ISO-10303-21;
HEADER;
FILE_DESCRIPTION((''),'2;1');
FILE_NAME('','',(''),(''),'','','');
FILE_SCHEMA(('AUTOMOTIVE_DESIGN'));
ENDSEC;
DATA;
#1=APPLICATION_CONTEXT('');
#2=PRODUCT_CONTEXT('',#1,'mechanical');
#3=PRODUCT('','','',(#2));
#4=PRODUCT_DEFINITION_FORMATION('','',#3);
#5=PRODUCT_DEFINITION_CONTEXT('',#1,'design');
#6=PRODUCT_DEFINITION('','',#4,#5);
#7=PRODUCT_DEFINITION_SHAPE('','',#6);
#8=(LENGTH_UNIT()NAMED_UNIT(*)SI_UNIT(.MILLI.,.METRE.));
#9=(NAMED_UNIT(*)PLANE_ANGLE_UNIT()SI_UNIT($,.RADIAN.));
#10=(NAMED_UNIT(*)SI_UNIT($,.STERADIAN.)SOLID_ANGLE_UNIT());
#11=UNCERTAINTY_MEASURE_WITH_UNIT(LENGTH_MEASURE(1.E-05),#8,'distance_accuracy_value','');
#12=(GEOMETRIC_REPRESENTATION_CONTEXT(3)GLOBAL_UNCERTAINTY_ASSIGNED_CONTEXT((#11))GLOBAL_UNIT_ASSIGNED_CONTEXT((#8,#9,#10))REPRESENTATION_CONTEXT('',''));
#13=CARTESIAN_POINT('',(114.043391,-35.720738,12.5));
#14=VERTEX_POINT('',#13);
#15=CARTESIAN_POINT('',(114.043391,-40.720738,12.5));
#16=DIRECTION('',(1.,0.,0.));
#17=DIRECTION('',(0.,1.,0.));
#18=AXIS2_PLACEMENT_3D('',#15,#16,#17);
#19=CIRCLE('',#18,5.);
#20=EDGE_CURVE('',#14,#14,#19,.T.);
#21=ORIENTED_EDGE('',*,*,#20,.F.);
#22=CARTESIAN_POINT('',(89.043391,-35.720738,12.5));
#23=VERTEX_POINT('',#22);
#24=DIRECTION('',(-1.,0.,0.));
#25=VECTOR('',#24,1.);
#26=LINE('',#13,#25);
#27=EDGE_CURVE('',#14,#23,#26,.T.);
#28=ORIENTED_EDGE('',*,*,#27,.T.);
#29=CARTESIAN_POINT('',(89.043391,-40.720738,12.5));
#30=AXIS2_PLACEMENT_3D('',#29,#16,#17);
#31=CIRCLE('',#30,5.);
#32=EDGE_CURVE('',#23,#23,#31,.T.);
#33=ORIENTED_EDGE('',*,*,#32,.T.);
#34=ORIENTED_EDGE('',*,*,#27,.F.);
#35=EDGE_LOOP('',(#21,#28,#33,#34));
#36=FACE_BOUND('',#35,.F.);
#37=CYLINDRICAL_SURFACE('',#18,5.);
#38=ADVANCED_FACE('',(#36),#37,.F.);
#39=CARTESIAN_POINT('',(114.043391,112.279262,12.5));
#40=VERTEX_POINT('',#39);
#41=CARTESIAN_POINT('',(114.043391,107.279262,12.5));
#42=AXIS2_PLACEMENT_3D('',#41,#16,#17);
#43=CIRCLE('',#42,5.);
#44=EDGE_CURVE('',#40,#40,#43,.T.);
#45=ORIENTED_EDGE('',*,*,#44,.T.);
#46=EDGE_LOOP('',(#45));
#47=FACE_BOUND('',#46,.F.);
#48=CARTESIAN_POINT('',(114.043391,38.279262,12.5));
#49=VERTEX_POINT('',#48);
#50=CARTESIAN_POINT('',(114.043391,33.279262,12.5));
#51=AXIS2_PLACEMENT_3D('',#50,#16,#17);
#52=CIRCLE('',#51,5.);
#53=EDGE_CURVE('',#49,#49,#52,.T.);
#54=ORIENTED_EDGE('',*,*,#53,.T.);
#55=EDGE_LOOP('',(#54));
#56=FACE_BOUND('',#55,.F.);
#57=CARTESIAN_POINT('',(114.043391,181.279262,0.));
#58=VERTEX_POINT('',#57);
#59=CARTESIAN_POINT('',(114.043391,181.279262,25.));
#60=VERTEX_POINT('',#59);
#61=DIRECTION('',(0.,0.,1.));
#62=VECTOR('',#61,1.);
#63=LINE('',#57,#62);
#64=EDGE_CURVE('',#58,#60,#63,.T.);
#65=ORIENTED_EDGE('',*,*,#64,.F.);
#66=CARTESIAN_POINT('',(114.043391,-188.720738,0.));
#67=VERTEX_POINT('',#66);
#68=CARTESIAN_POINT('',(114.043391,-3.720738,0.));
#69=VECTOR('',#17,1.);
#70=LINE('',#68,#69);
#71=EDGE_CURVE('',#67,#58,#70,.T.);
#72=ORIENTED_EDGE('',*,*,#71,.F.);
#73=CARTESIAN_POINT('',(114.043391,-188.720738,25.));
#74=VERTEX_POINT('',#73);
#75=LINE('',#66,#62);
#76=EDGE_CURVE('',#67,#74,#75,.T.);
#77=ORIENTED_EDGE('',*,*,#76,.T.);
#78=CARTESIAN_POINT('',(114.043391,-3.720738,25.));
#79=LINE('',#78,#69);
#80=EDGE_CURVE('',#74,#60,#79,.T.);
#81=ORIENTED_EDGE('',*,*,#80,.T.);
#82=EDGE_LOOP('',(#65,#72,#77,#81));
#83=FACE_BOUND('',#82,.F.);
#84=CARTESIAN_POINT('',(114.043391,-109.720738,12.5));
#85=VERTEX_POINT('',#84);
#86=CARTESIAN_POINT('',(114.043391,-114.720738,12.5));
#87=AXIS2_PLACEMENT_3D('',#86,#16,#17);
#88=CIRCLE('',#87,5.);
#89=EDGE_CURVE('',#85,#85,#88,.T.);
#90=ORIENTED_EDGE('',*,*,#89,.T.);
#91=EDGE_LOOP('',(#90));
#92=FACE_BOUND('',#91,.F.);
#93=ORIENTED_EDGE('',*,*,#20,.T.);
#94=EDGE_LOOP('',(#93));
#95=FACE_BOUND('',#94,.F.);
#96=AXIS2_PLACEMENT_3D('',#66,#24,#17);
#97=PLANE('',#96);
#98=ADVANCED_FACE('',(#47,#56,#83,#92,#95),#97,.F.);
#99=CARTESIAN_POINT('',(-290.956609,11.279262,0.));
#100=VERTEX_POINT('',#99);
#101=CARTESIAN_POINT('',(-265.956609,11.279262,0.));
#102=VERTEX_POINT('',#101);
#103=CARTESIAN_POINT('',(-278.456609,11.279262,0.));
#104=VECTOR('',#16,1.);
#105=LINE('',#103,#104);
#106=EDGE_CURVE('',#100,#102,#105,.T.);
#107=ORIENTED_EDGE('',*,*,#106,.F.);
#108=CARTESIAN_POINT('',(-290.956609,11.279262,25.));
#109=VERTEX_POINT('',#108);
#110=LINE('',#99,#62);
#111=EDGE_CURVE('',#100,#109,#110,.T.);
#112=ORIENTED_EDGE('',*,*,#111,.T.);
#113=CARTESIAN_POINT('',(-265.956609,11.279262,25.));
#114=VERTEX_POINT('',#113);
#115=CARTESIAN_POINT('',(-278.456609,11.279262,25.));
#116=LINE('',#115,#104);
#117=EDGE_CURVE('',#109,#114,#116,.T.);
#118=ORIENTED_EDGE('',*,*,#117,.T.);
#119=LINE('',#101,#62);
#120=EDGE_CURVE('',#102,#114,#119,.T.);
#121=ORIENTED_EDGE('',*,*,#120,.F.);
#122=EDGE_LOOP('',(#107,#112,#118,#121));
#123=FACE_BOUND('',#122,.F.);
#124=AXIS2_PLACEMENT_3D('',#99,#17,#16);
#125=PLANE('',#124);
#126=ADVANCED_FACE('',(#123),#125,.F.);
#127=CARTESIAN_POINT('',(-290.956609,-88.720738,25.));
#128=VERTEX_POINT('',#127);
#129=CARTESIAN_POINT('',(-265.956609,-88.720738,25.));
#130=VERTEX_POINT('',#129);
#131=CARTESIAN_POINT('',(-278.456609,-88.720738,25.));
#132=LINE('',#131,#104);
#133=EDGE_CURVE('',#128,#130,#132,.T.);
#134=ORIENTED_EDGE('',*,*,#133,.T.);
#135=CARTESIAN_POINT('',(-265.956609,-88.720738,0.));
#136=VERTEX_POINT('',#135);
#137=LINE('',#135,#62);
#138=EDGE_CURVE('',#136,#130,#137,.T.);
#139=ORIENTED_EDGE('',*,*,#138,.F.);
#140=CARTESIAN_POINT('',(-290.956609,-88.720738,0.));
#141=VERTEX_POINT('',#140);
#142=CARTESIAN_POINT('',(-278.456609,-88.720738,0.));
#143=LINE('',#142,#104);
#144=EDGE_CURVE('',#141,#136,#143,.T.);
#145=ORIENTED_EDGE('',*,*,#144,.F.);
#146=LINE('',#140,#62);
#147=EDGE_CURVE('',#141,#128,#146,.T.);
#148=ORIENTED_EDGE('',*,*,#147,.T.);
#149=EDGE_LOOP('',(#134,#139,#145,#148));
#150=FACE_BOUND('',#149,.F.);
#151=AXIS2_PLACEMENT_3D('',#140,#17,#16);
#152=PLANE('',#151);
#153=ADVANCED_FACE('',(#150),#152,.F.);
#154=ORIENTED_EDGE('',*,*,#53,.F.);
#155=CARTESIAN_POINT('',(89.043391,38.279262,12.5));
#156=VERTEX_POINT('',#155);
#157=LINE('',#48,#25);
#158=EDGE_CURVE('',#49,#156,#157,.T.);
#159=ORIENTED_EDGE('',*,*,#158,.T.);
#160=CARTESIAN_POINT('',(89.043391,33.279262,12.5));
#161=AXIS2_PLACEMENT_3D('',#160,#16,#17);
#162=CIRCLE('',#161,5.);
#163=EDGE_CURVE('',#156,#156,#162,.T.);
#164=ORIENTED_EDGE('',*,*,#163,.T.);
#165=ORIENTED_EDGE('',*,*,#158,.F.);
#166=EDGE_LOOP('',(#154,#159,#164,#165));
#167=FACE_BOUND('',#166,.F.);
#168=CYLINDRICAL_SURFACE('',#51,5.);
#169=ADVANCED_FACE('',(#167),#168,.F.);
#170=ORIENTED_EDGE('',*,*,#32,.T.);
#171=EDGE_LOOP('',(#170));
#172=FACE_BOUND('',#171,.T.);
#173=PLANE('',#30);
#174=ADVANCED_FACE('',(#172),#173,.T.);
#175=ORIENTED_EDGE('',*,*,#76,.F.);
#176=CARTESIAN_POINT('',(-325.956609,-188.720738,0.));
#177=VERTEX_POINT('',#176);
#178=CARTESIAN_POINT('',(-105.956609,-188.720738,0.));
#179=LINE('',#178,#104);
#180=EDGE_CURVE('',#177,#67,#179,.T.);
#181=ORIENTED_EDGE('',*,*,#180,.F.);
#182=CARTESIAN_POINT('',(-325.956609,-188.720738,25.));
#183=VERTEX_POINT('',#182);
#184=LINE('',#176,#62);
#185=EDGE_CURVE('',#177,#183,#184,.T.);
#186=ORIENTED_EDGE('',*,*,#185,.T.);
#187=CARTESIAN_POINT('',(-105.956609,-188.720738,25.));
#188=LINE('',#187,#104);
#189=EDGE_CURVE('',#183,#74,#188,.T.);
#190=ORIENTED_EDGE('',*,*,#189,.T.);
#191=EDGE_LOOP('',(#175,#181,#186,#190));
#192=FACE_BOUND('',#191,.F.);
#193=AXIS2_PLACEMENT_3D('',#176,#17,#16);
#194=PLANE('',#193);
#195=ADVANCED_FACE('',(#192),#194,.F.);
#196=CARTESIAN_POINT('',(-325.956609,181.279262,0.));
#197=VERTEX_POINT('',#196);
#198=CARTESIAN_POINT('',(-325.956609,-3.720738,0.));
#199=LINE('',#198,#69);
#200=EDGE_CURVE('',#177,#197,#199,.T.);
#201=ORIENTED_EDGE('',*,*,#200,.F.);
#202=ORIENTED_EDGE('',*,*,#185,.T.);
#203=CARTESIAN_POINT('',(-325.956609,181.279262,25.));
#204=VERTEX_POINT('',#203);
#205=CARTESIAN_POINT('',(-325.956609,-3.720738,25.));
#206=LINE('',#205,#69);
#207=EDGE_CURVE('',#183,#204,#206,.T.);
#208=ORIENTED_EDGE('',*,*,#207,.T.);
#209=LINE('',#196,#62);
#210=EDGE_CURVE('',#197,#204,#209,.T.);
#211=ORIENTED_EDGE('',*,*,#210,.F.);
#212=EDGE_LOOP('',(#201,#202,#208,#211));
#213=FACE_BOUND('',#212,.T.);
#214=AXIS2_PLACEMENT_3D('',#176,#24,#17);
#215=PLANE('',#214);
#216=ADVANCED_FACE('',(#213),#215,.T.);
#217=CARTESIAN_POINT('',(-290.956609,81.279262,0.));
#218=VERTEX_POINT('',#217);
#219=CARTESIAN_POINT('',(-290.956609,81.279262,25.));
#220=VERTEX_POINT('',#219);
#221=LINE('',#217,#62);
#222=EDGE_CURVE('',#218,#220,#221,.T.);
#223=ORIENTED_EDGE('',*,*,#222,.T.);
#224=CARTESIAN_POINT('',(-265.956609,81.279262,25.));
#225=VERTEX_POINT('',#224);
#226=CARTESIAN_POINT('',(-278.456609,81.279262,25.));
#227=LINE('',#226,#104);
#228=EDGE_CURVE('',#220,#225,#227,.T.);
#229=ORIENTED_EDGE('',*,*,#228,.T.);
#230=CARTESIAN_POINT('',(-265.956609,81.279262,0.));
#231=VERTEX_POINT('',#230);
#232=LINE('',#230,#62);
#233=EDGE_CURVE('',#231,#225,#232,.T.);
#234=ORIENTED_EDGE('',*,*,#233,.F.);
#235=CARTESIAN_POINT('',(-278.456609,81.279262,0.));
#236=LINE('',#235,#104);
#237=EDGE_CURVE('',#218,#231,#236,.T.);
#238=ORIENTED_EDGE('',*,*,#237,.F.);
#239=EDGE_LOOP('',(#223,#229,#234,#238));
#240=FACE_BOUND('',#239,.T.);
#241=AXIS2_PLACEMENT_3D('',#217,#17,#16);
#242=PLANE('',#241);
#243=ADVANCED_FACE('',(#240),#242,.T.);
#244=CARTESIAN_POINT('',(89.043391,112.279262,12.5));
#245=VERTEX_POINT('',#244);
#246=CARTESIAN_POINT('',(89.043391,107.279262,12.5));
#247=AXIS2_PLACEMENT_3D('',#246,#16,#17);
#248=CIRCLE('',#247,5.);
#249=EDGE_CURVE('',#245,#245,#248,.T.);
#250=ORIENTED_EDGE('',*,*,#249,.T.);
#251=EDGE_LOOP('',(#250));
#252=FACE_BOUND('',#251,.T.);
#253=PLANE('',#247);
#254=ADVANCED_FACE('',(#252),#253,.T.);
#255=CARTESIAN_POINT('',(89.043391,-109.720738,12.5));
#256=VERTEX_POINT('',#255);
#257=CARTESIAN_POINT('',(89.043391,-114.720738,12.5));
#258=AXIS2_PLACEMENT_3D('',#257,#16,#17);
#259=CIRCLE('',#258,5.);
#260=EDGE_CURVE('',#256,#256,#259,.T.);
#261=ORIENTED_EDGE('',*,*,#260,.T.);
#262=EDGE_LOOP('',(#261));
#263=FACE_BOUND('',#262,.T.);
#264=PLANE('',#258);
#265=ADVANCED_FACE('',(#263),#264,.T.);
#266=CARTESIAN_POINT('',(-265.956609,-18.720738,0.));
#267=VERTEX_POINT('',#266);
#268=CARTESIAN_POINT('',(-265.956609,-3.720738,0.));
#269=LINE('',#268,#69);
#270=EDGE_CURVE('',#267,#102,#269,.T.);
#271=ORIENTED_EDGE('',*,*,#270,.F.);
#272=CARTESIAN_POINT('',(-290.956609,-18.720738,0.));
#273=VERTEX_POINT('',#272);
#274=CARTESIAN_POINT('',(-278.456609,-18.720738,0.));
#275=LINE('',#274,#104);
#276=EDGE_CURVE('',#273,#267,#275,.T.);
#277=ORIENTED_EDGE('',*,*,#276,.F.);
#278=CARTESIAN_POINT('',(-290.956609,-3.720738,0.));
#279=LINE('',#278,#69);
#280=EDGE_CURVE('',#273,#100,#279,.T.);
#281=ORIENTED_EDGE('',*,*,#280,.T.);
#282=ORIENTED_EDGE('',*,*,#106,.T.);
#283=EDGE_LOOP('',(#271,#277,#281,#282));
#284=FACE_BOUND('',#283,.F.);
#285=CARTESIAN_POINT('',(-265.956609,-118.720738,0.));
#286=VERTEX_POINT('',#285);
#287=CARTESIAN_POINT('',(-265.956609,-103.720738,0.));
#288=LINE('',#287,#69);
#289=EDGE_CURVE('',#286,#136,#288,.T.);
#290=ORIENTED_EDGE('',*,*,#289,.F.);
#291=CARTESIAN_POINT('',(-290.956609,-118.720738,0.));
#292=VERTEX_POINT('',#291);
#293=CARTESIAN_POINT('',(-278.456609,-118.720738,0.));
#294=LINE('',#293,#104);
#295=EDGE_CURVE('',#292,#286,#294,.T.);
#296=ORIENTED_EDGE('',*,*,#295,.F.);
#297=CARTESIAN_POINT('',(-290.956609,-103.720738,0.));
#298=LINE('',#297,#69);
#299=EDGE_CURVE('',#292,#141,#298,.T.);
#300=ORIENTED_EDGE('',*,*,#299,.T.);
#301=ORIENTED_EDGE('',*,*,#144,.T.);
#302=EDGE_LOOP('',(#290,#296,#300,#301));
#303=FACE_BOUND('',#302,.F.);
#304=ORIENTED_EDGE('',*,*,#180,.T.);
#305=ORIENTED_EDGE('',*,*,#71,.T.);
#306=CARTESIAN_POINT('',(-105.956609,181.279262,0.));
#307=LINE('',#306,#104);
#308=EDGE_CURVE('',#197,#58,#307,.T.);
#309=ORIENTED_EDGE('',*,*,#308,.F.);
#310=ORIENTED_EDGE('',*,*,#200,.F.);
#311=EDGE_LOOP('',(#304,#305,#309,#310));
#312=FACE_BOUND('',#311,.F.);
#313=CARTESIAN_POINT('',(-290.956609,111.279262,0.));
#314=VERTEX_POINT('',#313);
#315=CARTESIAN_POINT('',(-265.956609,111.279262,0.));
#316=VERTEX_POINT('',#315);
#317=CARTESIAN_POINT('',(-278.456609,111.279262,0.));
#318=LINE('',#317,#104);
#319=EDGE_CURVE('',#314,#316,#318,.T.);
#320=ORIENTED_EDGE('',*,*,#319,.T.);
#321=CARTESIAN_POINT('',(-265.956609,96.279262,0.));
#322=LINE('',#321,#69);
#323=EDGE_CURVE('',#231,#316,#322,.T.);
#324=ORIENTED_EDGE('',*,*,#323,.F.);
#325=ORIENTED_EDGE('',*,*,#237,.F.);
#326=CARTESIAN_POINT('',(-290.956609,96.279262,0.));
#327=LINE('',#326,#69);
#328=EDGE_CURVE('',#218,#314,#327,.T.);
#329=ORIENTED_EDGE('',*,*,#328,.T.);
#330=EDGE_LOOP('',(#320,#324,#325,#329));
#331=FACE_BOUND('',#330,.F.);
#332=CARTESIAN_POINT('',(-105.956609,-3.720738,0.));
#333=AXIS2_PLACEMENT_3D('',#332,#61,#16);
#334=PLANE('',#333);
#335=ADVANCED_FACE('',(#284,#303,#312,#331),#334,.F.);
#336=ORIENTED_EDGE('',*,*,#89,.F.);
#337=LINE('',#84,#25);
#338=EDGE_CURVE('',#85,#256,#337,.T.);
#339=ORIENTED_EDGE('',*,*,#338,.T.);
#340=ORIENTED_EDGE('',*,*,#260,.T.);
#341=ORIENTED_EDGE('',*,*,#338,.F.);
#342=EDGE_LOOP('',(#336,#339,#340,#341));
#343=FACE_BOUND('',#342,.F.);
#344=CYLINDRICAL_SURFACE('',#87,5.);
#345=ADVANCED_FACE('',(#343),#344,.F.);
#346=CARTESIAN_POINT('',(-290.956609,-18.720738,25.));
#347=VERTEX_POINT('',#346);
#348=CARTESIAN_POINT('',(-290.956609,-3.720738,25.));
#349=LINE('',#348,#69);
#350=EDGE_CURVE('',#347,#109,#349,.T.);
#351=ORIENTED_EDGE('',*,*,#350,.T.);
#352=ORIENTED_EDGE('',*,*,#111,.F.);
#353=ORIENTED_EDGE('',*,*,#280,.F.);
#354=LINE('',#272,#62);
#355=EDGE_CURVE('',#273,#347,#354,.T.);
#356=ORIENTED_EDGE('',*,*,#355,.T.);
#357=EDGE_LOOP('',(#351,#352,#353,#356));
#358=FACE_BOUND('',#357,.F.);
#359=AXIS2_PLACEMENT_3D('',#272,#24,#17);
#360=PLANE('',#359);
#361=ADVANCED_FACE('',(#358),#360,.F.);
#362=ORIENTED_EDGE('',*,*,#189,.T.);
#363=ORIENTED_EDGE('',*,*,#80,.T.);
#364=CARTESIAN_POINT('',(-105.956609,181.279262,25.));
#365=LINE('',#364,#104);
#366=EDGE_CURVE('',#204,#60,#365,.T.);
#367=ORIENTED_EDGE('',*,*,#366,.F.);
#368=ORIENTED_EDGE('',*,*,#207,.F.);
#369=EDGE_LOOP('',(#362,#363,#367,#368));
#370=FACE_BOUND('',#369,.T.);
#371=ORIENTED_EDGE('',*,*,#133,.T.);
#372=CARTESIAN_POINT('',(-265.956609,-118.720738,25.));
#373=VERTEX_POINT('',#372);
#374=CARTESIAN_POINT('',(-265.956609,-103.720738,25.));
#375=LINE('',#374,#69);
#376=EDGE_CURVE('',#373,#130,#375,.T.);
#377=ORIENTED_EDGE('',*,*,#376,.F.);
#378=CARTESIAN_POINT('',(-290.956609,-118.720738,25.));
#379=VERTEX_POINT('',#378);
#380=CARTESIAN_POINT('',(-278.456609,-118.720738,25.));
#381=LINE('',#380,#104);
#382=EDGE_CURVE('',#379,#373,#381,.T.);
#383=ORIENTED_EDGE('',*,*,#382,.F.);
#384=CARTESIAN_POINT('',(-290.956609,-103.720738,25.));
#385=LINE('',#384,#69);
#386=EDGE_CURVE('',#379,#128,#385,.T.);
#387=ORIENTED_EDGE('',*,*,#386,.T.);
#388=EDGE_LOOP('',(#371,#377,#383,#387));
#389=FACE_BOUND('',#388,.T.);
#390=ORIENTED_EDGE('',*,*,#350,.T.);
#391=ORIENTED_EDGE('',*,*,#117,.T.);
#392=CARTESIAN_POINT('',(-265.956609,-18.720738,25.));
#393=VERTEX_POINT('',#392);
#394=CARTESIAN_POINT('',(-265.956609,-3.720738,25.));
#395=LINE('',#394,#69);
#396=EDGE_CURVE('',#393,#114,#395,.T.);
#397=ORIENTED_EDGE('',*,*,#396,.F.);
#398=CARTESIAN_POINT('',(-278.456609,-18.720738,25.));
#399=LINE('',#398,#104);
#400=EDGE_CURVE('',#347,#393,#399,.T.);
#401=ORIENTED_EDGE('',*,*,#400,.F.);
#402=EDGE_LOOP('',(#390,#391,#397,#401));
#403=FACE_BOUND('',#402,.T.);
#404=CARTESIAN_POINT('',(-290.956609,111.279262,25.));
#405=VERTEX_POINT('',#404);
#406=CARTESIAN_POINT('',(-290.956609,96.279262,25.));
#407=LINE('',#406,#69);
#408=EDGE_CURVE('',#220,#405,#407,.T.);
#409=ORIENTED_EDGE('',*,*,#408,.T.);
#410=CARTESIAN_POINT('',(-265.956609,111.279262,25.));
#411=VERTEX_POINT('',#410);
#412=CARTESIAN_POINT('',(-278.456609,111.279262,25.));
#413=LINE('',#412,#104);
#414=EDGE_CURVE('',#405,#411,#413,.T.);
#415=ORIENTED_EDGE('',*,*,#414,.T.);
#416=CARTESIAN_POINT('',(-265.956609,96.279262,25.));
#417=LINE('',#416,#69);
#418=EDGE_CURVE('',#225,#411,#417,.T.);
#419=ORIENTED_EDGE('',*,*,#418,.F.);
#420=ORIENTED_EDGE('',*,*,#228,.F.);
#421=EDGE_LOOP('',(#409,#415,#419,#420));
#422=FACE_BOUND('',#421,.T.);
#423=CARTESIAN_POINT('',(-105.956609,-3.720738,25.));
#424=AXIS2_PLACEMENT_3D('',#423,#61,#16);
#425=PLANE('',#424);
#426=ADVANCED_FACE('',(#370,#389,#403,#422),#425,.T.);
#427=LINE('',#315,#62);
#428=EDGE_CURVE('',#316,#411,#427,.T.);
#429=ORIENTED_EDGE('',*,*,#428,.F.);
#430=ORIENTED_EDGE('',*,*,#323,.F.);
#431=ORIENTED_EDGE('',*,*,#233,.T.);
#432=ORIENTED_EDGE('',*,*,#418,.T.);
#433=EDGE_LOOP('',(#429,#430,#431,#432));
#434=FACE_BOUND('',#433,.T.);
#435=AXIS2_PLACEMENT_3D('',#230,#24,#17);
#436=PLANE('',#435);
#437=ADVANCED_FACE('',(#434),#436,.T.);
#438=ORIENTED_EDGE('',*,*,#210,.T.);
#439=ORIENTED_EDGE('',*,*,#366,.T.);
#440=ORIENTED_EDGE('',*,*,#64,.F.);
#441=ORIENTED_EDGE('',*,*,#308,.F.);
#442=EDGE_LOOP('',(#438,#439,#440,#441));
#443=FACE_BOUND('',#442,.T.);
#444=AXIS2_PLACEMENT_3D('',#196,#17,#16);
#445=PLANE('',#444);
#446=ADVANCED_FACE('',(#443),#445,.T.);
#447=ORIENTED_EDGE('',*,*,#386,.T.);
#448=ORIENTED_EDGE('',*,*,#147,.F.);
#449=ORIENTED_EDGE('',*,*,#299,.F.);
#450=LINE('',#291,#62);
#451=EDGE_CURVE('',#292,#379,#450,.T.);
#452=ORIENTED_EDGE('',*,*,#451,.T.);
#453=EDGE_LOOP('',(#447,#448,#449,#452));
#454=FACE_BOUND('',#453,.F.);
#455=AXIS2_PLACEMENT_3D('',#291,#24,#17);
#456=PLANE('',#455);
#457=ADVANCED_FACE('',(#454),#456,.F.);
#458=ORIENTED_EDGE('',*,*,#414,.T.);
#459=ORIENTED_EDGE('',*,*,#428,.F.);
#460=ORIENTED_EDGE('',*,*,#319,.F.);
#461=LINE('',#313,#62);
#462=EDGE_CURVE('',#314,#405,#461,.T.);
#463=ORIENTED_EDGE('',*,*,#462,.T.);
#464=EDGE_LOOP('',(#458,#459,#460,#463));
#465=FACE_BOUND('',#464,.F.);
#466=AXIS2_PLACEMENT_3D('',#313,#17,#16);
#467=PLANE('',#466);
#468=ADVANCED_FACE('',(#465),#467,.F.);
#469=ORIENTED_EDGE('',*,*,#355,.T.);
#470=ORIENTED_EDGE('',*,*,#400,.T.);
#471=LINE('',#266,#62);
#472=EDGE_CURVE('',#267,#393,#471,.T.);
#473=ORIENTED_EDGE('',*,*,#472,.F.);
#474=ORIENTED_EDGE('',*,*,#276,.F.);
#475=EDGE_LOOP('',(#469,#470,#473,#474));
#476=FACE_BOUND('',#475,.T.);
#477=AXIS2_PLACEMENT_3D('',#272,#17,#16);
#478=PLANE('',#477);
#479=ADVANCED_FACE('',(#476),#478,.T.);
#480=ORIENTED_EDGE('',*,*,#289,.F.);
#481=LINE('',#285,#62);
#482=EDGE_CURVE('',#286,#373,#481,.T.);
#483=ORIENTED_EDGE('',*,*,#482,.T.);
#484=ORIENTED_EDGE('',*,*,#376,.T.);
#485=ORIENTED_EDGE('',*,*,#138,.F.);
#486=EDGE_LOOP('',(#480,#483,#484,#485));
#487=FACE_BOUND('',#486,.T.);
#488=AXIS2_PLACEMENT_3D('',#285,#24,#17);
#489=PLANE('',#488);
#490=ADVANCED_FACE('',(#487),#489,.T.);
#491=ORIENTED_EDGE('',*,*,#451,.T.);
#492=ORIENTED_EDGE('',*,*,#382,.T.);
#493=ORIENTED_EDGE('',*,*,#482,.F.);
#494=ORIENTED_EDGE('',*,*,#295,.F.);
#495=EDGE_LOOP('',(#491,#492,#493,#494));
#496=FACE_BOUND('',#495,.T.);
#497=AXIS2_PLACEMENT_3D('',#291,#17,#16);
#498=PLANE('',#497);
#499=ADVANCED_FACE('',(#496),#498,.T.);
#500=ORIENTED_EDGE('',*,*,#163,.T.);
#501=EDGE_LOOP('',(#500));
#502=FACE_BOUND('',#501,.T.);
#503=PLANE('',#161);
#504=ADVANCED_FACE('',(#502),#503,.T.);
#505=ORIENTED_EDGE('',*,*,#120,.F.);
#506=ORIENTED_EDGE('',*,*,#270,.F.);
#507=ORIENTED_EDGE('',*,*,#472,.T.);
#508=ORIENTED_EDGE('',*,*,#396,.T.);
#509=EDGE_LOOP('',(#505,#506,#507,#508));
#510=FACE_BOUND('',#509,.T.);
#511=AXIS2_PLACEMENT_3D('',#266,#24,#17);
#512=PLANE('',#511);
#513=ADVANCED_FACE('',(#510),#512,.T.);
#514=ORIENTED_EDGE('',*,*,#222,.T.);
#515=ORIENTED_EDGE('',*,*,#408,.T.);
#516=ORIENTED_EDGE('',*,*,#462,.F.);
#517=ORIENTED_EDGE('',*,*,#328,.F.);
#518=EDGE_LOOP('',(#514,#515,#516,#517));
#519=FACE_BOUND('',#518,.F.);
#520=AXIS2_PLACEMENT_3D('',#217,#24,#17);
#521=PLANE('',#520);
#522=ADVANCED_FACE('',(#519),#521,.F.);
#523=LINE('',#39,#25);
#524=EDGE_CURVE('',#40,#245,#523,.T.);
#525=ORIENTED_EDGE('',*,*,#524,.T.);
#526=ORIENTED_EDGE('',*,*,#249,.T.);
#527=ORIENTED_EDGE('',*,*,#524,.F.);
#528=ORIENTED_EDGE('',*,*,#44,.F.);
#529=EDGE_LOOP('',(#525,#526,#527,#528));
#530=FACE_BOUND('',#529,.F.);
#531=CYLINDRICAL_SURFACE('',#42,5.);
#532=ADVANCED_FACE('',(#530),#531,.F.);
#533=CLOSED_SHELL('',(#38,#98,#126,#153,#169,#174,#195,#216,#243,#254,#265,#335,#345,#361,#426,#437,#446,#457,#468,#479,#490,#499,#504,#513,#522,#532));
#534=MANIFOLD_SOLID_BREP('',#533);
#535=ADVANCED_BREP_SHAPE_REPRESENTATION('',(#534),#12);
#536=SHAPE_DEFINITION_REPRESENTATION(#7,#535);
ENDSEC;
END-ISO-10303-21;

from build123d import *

# Parameters (mm, degrees)
F0_W     = 440
F0_H     = 370
F0_W_2   = 25
F0_H_2   = 30
F1_DEPTH = 25
F2_R     = 5
F3_DEPTH = 25


with BuildPart() as f1:
    # F0 (on Top) → F1 (new body)
    with BuildSketch(Plane.XY):
        with Locations((-105.956609, -3.720738)):
            Rectangle(F0_W, F0_H)
        with Locations((-278.456609, -103.720738)):
            Rectangle(F0_W_2, F0_H_2, mode=Mode.SUBTRACT)
        with Locations((-278.456609, -3.720738)):
            Rectangle(F0_W_2, F0_H_2, mode=Mode.SUBTRACT)
        with Locations((-278.456609, 96.279262)):
            Rectangle(F0_W_2, F0_H_2, mode=Mode.SUBTRACT)
    extrude(amount=F1_DEPTH)

    # F2 (on face) → F3 (cut)
    with BuildSketch(Plane.YZ.offset(114.043391)):
        with Locations((-114.720738, 12.5)):
            Circle(F2_R)
        with Locations((-40.720738, 12.5)):
            Circle(F2_R)
        with Locations((33.279262, 12.5)):
            Circle(F2_R)
        with Locations((107.279262, 12.5)):
            Circle(F2_R)
    extrude(amount=-F3_DEPTH, mode=Mode.SUBTRACT)


solid = f1.part
